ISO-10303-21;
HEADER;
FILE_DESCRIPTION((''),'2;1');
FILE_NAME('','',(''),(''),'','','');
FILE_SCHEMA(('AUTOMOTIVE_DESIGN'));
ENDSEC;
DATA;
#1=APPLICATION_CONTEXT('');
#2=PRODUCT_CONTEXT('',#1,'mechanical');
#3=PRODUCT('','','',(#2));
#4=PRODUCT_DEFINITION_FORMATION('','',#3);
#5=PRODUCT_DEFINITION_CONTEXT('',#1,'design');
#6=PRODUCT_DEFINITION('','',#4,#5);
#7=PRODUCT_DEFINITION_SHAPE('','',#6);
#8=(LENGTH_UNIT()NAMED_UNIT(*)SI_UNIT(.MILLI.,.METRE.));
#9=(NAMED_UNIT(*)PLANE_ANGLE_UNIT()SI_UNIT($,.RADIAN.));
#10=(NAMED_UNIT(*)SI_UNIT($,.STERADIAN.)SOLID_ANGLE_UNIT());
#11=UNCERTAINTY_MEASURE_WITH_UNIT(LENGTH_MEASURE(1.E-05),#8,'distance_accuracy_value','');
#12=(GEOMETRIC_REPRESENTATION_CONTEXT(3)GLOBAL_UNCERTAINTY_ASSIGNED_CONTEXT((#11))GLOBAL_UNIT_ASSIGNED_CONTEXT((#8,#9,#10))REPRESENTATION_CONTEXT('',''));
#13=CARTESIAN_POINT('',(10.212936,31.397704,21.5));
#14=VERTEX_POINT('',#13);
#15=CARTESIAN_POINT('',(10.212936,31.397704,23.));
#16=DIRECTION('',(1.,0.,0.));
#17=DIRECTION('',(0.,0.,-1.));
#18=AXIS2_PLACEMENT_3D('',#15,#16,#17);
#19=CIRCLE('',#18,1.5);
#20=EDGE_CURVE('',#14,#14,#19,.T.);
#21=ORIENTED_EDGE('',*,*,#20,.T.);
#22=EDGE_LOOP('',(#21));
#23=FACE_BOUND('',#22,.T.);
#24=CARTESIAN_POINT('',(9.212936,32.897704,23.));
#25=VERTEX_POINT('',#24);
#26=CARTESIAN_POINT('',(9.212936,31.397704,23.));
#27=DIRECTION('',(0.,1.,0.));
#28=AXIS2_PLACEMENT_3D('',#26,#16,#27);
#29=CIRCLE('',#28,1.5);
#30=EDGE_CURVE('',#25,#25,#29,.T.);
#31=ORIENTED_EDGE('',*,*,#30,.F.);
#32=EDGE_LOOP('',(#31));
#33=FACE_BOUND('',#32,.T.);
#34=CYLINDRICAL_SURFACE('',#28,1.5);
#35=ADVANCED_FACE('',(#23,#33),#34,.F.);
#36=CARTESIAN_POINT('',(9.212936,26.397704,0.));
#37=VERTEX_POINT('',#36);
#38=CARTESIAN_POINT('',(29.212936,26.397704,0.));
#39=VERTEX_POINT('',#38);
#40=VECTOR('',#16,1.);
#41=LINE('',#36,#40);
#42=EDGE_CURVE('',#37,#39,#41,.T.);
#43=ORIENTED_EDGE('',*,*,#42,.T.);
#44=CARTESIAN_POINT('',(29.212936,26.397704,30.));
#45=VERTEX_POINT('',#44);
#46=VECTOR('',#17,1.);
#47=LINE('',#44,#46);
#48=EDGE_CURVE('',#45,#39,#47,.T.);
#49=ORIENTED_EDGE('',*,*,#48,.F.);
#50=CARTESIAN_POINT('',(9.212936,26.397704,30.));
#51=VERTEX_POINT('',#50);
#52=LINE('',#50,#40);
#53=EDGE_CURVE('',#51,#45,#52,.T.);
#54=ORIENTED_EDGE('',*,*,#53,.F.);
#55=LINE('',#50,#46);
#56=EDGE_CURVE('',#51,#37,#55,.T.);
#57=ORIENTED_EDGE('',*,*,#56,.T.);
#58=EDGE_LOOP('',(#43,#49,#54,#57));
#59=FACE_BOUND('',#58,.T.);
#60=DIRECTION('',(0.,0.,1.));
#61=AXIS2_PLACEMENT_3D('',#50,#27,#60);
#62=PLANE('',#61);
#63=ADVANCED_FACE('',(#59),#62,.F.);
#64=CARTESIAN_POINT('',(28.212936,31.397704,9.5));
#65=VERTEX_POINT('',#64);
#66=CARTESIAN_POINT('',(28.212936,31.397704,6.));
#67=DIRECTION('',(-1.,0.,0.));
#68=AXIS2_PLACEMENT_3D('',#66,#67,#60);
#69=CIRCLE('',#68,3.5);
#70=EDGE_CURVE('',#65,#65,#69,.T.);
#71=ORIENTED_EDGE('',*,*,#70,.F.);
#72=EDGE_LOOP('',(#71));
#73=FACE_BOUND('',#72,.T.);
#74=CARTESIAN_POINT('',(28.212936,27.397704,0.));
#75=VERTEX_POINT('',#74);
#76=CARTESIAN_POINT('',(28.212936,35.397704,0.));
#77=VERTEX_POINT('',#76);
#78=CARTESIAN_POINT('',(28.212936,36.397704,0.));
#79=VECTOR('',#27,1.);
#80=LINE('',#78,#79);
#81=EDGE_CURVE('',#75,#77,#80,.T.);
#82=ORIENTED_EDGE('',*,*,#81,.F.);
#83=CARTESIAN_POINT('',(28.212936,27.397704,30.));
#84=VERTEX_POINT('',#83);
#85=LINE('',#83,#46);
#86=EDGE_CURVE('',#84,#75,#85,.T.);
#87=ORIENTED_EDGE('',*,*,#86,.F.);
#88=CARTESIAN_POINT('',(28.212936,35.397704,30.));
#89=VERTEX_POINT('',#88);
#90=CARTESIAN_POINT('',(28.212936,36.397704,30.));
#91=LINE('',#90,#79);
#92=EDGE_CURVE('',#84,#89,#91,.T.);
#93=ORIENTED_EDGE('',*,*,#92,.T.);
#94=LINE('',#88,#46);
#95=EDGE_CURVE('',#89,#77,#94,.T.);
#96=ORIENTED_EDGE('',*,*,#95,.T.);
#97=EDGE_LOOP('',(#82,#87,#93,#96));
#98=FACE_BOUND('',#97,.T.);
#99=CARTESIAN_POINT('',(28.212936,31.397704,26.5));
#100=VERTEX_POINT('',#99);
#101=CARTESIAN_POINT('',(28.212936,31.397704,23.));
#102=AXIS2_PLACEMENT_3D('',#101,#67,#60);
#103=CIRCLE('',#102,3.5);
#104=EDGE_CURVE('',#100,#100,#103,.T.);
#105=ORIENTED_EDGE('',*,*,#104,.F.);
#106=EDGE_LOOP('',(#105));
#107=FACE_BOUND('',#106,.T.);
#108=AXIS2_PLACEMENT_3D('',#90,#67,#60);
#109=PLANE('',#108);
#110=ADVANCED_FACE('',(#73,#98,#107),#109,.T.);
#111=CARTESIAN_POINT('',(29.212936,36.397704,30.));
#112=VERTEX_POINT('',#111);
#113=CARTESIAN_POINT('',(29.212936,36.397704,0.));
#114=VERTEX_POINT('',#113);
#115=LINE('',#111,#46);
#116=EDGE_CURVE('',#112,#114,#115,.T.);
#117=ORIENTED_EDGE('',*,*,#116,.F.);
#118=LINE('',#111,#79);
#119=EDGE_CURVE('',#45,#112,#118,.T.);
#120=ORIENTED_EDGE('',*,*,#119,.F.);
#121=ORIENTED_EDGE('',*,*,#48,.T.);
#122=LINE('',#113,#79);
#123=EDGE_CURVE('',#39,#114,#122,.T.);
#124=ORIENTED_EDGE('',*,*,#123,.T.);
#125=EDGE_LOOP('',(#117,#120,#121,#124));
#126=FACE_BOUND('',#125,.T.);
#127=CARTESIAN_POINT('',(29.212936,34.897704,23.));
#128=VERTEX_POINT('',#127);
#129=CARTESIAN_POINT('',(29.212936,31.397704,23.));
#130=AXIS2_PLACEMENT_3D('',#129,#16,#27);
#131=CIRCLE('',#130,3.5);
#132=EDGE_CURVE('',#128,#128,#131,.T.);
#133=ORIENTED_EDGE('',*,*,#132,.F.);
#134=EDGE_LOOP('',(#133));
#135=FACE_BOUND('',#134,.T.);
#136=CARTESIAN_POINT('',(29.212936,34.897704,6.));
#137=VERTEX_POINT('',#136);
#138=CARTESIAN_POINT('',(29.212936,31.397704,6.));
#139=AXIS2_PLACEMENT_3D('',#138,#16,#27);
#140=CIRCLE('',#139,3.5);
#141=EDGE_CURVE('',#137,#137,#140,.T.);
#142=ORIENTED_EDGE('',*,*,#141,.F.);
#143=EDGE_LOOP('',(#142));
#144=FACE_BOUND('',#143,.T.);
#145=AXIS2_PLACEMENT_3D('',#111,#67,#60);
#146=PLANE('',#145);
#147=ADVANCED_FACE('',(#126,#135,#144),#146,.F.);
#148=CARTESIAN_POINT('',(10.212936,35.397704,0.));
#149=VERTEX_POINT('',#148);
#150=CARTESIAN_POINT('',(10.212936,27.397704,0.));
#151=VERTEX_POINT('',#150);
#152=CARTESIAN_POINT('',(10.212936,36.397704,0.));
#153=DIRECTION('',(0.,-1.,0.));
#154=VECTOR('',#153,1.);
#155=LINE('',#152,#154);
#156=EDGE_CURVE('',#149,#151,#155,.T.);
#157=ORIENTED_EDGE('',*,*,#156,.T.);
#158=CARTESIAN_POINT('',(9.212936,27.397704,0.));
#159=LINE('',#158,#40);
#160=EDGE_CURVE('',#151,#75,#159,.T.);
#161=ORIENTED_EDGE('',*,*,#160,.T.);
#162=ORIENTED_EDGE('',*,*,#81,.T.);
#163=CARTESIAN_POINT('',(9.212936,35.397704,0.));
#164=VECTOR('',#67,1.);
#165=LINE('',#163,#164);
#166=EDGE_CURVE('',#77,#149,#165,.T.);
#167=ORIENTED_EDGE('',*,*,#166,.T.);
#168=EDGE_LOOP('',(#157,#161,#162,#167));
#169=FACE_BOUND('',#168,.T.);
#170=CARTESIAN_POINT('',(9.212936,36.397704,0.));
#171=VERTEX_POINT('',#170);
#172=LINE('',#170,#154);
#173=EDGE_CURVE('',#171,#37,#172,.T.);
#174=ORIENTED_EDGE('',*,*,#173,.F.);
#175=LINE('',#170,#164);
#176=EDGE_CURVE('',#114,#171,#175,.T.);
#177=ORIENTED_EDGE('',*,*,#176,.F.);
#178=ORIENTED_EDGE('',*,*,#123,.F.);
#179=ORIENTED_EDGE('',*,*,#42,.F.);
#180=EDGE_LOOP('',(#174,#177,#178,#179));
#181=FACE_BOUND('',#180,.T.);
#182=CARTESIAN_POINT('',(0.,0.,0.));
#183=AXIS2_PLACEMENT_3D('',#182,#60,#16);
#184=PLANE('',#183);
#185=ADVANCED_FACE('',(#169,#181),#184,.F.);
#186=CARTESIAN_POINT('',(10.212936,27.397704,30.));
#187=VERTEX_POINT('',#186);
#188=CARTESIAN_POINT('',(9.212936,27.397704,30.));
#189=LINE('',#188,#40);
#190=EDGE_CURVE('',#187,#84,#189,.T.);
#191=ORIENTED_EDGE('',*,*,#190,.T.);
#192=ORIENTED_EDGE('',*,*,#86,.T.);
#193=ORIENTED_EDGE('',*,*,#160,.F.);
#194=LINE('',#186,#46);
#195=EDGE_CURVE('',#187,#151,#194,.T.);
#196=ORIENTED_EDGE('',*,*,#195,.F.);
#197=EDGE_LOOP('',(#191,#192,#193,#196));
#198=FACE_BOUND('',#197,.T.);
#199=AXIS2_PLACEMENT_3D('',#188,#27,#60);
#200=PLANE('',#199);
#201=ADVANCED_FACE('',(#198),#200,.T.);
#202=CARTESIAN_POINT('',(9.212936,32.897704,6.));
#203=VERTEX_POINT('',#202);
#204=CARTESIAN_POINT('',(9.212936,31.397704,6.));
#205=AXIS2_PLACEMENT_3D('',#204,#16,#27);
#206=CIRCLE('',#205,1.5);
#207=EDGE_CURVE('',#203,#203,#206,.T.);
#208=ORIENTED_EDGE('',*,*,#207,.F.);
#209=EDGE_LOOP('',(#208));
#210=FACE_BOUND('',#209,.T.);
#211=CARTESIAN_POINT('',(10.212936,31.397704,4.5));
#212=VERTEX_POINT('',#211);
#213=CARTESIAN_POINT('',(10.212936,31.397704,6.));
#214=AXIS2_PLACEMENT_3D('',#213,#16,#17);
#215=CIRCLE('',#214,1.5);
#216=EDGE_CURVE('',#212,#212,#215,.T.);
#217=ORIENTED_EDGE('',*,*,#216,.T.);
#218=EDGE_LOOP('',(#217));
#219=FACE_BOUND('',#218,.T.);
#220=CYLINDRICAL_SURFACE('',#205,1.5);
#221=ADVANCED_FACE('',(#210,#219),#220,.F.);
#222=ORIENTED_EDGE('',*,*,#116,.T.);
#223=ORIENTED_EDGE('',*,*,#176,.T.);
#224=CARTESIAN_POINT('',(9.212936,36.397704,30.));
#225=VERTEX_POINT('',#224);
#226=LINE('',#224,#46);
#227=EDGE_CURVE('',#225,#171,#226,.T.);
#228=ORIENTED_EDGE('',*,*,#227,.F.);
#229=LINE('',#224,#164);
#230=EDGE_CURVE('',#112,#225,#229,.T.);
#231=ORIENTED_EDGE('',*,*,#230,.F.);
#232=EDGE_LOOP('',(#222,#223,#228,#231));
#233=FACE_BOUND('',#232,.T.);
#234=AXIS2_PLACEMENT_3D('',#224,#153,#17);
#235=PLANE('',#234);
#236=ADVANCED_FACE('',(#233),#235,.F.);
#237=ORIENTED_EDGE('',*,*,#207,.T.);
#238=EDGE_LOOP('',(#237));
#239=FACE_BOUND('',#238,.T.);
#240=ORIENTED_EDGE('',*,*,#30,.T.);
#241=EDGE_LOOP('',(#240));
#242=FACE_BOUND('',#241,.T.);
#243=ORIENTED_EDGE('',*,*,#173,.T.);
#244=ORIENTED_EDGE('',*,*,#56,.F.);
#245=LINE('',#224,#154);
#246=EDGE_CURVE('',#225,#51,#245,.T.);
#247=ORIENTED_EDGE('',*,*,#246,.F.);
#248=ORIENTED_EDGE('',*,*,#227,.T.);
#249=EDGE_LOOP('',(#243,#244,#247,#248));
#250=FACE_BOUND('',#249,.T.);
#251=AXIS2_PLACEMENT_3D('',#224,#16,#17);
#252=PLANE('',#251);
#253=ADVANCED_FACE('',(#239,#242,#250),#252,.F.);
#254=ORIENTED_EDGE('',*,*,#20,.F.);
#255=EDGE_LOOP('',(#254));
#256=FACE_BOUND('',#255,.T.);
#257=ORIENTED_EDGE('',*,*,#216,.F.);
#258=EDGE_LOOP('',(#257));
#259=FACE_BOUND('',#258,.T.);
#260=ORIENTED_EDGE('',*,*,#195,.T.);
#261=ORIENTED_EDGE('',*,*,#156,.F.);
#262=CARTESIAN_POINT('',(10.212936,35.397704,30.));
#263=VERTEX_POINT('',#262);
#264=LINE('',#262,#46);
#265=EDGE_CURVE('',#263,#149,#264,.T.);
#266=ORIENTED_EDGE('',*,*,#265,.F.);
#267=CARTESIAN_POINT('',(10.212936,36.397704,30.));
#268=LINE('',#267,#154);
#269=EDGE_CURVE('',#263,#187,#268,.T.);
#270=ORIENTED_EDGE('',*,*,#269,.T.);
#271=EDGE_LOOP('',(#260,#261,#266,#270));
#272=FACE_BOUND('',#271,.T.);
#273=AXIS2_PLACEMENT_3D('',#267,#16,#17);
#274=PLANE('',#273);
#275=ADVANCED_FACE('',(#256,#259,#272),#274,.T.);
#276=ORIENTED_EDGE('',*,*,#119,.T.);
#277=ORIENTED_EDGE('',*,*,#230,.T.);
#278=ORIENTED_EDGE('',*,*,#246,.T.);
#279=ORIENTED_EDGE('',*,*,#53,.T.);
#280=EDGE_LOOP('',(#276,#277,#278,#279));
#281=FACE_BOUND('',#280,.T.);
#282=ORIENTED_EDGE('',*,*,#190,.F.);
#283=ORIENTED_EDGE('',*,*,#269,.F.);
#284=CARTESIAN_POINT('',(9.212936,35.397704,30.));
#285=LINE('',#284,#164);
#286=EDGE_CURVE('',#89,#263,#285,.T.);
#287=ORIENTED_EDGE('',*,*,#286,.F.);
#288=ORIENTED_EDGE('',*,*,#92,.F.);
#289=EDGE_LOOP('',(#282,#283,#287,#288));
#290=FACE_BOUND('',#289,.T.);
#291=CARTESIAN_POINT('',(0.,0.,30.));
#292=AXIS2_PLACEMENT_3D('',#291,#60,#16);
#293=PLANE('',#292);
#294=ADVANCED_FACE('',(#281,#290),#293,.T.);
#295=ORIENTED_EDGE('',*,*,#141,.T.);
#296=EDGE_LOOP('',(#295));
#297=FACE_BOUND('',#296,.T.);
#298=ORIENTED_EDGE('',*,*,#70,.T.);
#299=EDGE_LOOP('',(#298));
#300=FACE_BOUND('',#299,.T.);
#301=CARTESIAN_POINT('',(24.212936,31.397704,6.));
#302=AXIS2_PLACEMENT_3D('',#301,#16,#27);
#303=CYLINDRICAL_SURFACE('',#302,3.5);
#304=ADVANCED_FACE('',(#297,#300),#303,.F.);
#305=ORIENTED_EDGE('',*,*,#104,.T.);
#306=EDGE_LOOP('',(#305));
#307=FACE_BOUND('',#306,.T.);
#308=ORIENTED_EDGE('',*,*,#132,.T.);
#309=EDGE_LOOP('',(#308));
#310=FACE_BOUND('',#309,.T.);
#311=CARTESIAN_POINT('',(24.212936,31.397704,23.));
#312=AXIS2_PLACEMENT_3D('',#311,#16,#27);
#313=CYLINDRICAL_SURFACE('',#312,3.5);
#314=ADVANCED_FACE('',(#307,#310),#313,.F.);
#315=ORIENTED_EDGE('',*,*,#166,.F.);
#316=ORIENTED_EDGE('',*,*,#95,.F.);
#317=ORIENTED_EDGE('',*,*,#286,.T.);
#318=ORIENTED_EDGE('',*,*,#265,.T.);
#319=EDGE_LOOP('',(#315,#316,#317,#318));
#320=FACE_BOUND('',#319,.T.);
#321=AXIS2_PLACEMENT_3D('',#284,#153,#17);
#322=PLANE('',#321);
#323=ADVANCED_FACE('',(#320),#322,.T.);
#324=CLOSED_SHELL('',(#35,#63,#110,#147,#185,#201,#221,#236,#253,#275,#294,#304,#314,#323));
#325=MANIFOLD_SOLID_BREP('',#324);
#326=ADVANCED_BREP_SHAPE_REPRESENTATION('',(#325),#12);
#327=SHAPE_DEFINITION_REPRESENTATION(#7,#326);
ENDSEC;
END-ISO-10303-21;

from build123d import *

# Parameters (mm, degrees)
SKETCH_1_W          = 20
SKETCH_1_H          = 10
SKETCH_1_W_2        = 18
SKETCH_1_H_2        = 8
EXTRUDE_1_DEPTH     = 30
SKETCH_2_R          = 1.5
CUT_EXTRUDE_1_DEPTH = 20
SKETCH_3_R          = 3.5
CUT_EXTRUDE_2_DEPTH = 5


with BuildPart() as part:
    # 草图1 → 拉伸-薄壁1 (new body)
    with BuildSketch(Plane.XY):
        with Locations((19.212936099, 31.397704236)):
            Rectangle(SKETCH_1_W, SKETCH_1_H)
        with Locations((19.212936099, 31.397704236)):
            Rectangle(SKETCH_1_W_2, SKETCH_1_H_2, mode=Mode.SUBTRACT)
    extrude(amount=EXTRUDE_1_DEPTH)

    # 草图2 → 切除-拉伸1 (cut)
    with BuildSketch(Plane(origin=(29.212936099, 0, 0), x_dir=(0, 0, -1), z_dir=(1, 0, 0))):
        with Locations((-23, 31.397704236)):
            Circle(SKETCH_2_R)
        with Locations((-6, 31.397704236)):
            Circle(SKETCH_2_R)
    extrude(amount=-CUT_EXTRUDE_1_DEPTH, mode=Mode.SUBTRACT)

    # 草图3 → 切除-拉伸2 (cut)
    with BuildSketch(Plane(origin=(29.212936099, 0, 0), x_dir=(0, 0, -1), z_dir=(1, 0, 0))):
        with Locations((-23, 31.397704236)):
            Circle(SKETCH_3_R)
        with Locations((-6, 31.397704236)):
            Circle(SKETCH_3_R)
    extrude(amount=-CUT_EXTRUDE_2_DEPTH, mode=Mode.SUBTRACT)


solid = part.part
